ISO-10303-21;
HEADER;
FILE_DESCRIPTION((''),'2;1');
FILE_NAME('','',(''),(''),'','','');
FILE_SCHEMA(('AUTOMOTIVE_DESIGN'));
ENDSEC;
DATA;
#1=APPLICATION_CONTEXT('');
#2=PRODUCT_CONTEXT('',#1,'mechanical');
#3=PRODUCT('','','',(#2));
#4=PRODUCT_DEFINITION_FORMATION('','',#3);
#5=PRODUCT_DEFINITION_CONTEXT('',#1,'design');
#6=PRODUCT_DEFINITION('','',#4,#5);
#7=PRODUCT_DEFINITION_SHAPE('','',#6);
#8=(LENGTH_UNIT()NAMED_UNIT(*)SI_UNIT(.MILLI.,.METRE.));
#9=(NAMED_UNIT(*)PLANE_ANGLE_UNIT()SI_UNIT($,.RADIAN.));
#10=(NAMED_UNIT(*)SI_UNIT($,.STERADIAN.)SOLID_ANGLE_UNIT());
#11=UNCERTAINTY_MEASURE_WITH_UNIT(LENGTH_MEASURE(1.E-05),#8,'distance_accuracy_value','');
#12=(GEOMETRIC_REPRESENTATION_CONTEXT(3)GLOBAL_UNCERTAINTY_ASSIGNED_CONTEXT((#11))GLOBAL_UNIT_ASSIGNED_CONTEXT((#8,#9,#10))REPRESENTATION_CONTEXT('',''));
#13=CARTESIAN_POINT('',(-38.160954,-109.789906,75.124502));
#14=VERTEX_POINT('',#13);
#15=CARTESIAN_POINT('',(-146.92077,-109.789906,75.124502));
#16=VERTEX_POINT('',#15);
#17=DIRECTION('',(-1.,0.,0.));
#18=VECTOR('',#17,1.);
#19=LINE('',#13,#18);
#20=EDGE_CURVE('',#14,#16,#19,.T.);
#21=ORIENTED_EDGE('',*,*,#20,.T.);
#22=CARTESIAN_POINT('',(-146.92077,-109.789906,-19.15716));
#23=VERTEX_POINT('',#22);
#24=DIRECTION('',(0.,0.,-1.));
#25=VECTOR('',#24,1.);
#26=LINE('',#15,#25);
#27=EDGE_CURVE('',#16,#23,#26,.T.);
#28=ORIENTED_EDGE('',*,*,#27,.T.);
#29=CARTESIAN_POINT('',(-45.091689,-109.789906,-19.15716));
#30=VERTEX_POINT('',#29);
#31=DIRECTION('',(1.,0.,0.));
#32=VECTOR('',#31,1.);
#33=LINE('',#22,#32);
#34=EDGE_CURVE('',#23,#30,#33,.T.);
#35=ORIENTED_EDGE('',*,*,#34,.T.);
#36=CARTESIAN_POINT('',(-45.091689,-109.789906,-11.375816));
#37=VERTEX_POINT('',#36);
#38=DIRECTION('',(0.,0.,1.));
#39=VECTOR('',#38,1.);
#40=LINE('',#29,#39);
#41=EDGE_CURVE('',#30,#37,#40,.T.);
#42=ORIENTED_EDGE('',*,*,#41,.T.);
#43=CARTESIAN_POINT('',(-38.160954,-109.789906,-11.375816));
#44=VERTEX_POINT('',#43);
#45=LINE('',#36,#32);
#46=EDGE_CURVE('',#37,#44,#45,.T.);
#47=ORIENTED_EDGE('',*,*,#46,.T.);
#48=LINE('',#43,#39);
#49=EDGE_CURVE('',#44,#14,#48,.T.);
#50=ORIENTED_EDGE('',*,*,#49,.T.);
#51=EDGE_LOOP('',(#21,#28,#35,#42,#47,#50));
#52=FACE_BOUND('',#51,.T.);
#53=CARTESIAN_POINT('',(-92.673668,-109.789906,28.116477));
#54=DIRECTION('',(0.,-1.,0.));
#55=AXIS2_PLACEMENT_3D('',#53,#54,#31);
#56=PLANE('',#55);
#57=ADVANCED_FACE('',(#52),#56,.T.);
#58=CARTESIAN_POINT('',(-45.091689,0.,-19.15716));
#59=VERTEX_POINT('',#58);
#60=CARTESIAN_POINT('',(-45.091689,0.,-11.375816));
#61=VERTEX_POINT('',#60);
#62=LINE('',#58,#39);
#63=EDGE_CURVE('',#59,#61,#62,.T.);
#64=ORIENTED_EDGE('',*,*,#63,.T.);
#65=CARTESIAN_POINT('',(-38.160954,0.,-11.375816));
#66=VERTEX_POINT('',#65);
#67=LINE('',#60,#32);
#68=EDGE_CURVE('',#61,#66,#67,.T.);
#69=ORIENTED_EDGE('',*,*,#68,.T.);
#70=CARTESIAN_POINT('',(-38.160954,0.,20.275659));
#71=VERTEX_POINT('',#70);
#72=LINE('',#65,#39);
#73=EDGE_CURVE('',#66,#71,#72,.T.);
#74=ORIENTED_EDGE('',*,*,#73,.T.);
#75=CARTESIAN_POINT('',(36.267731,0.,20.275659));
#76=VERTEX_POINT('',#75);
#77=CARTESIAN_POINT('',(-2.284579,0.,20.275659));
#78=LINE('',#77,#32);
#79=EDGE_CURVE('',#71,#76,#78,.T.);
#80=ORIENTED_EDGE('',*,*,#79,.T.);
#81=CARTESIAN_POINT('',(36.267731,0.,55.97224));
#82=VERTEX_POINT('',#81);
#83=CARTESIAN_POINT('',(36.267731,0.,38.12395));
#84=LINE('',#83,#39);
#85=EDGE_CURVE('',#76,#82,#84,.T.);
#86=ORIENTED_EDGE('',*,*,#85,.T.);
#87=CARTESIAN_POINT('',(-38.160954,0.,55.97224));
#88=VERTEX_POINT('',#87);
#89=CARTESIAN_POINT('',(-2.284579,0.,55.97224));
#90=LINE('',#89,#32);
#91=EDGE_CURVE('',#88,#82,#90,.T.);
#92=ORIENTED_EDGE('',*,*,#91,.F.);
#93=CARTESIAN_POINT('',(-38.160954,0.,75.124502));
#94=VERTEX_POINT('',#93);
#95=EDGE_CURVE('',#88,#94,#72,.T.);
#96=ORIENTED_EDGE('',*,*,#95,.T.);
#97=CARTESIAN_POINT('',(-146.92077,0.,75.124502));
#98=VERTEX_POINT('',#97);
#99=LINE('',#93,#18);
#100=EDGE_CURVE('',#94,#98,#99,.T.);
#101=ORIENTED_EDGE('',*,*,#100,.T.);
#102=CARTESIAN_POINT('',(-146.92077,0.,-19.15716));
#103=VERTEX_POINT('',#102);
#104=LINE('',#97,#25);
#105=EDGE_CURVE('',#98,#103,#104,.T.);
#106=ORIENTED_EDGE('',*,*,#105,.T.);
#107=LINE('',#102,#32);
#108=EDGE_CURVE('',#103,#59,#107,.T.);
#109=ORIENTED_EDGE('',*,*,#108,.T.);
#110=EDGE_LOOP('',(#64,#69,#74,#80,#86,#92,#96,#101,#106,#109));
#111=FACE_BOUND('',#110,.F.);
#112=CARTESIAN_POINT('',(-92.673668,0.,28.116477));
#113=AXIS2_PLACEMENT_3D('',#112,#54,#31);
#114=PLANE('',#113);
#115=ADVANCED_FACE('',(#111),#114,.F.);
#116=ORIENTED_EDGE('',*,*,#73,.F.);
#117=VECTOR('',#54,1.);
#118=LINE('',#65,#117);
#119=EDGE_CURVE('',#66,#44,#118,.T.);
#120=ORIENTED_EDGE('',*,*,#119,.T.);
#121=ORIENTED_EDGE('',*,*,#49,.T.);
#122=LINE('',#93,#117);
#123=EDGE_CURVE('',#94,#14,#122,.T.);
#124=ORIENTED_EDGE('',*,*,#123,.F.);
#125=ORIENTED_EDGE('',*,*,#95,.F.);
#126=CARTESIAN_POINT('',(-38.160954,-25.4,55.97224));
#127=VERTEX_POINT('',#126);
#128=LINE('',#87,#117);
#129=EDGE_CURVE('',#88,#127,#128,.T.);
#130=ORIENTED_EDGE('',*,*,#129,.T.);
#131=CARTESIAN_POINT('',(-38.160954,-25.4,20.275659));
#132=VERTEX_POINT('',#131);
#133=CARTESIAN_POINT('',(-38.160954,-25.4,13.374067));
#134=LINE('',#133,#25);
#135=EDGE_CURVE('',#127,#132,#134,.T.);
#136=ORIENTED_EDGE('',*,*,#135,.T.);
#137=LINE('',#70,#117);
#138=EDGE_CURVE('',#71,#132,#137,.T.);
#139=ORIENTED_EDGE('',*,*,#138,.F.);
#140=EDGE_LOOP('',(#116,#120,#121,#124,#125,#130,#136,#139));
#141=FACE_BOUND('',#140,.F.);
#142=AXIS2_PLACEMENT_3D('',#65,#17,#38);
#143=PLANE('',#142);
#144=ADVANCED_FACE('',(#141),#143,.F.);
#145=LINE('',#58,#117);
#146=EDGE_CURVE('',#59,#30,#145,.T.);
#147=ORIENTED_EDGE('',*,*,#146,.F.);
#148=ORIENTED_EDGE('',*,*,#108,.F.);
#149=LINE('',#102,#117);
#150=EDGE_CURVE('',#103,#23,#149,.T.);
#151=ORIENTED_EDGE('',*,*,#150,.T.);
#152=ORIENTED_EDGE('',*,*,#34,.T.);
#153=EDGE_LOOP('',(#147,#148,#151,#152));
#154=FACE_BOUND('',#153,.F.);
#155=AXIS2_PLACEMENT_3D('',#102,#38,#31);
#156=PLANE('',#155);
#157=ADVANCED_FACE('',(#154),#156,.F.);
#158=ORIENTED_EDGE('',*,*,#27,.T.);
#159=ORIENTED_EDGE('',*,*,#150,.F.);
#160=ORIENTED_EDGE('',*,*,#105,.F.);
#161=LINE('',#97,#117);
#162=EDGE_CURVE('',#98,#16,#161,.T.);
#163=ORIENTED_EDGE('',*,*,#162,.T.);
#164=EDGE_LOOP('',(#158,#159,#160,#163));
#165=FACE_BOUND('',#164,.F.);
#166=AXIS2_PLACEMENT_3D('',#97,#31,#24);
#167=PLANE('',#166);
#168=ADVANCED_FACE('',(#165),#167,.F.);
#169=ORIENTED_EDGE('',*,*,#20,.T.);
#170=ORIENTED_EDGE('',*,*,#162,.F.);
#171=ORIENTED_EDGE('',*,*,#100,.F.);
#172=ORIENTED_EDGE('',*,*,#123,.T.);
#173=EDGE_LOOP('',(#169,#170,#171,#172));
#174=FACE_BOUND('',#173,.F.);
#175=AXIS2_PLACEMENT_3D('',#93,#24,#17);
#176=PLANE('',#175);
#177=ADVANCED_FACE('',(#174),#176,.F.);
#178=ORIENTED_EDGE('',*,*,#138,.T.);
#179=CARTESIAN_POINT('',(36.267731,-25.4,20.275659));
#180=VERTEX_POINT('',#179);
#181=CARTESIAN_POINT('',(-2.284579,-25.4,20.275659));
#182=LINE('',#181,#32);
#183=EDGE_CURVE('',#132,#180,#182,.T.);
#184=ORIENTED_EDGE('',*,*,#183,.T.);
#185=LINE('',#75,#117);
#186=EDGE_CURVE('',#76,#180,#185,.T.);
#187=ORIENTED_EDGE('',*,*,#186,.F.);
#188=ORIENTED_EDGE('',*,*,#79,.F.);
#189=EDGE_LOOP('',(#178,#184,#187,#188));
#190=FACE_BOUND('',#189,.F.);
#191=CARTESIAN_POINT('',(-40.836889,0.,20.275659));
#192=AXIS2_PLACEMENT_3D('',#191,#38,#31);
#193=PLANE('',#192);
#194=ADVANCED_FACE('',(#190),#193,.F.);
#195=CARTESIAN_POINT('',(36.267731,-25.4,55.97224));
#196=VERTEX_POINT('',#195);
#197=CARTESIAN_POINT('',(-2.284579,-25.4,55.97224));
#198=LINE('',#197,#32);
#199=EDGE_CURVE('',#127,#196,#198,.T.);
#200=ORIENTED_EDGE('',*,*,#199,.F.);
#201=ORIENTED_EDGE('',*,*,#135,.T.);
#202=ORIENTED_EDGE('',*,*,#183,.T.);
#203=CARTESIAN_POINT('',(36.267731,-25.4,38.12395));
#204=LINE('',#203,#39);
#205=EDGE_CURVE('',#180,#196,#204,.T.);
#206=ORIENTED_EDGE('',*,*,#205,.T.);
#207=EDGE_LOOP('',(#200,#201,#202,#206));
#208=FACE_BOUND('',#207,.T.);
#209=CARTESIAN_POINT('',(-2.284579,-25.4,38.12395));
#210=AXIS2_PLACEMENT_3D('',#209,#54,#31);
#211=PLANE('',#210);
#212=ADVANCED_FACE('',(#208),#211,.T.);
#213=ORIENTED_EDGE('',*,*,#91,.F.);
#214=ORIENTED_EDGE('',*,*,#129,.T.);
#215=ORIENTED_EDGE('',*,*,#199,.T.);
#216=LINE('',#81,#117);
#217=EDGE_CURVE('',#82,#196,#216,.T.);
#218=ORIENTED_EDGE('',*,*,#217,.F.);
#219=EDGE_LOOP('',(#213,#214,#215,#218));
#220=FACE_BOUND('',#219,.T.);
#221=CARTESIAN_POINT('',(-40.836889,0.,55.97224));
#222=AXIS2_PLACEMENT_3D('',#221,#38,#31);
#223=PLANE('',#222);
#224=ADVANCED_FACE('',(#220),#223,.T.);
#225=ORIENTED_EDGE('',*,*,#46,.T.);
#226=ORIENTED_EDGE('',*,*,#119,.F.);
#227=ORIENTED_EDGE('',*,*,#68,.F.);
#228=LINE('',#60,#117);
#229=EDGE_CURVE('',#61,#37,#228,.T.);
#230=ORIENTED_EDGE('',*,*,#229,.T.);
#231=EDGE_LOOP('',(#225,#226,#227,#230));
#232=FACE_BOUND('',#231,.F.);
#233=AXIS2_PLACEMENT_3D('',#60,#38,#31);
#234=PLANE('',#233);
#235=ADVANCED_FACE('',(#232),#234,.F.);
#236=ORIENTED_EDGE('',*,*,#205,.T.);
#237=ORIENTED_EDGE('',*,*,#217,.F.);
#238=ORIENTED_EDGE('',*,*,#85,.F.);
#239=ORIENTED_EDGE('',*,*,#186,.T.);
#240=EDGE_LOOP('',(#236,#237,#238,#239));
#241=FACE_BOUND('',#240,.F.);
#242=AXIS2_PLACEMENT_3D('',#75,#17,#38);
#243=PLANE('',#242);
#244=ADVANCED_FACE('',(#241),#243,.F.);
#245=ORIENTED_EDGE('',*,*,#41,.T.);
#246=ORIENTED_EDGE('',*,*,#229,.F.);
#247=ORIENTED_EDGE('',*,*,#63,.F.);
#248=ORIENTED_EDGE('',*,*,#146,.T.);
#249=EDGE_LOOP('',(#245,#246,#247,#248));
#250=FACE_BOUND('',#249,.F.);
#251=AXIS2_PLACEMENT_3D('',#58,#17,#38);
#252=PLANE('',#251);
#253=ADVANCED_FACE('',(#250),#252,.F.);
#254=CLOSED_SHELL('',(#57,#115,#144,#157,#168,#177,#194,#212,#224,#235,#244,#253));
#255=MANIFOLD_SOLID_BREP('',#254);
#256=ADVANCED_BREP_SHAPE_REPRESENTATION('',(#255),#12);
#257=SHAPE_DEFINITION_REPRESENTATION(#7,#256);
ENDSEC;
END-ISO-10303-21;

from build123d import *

# Parameters (mm, degrees)
F0_W     = 77.10462
F0_H     = 35.696581
F1_DEPTH = 25.4
F4_DEPTH = 109.789906


with BuildPart() as f1:
    # F0 (on Front) → F1 (new body)
    with BuildSketch(Plane.XZ):
        with Locations((-2.284579, 38.12395)):
            Rectangle(F0_W, F0_H)
    extrude(amount=F1_DEPTH)

    # F3 (on face) → F4 (join)
    with BuildSketch(Plane.XZ):
        Polygon((-146.92077, -19.15716), (-45.091689, -19.15716), (-45.091689, -11.375816), (-38.160954, -11.375816), (-38.160954, 75.124502), (-146.92077, 75.124502), align=None)
    extrude(amount=F4_DEPTH)


solid = f1.part
